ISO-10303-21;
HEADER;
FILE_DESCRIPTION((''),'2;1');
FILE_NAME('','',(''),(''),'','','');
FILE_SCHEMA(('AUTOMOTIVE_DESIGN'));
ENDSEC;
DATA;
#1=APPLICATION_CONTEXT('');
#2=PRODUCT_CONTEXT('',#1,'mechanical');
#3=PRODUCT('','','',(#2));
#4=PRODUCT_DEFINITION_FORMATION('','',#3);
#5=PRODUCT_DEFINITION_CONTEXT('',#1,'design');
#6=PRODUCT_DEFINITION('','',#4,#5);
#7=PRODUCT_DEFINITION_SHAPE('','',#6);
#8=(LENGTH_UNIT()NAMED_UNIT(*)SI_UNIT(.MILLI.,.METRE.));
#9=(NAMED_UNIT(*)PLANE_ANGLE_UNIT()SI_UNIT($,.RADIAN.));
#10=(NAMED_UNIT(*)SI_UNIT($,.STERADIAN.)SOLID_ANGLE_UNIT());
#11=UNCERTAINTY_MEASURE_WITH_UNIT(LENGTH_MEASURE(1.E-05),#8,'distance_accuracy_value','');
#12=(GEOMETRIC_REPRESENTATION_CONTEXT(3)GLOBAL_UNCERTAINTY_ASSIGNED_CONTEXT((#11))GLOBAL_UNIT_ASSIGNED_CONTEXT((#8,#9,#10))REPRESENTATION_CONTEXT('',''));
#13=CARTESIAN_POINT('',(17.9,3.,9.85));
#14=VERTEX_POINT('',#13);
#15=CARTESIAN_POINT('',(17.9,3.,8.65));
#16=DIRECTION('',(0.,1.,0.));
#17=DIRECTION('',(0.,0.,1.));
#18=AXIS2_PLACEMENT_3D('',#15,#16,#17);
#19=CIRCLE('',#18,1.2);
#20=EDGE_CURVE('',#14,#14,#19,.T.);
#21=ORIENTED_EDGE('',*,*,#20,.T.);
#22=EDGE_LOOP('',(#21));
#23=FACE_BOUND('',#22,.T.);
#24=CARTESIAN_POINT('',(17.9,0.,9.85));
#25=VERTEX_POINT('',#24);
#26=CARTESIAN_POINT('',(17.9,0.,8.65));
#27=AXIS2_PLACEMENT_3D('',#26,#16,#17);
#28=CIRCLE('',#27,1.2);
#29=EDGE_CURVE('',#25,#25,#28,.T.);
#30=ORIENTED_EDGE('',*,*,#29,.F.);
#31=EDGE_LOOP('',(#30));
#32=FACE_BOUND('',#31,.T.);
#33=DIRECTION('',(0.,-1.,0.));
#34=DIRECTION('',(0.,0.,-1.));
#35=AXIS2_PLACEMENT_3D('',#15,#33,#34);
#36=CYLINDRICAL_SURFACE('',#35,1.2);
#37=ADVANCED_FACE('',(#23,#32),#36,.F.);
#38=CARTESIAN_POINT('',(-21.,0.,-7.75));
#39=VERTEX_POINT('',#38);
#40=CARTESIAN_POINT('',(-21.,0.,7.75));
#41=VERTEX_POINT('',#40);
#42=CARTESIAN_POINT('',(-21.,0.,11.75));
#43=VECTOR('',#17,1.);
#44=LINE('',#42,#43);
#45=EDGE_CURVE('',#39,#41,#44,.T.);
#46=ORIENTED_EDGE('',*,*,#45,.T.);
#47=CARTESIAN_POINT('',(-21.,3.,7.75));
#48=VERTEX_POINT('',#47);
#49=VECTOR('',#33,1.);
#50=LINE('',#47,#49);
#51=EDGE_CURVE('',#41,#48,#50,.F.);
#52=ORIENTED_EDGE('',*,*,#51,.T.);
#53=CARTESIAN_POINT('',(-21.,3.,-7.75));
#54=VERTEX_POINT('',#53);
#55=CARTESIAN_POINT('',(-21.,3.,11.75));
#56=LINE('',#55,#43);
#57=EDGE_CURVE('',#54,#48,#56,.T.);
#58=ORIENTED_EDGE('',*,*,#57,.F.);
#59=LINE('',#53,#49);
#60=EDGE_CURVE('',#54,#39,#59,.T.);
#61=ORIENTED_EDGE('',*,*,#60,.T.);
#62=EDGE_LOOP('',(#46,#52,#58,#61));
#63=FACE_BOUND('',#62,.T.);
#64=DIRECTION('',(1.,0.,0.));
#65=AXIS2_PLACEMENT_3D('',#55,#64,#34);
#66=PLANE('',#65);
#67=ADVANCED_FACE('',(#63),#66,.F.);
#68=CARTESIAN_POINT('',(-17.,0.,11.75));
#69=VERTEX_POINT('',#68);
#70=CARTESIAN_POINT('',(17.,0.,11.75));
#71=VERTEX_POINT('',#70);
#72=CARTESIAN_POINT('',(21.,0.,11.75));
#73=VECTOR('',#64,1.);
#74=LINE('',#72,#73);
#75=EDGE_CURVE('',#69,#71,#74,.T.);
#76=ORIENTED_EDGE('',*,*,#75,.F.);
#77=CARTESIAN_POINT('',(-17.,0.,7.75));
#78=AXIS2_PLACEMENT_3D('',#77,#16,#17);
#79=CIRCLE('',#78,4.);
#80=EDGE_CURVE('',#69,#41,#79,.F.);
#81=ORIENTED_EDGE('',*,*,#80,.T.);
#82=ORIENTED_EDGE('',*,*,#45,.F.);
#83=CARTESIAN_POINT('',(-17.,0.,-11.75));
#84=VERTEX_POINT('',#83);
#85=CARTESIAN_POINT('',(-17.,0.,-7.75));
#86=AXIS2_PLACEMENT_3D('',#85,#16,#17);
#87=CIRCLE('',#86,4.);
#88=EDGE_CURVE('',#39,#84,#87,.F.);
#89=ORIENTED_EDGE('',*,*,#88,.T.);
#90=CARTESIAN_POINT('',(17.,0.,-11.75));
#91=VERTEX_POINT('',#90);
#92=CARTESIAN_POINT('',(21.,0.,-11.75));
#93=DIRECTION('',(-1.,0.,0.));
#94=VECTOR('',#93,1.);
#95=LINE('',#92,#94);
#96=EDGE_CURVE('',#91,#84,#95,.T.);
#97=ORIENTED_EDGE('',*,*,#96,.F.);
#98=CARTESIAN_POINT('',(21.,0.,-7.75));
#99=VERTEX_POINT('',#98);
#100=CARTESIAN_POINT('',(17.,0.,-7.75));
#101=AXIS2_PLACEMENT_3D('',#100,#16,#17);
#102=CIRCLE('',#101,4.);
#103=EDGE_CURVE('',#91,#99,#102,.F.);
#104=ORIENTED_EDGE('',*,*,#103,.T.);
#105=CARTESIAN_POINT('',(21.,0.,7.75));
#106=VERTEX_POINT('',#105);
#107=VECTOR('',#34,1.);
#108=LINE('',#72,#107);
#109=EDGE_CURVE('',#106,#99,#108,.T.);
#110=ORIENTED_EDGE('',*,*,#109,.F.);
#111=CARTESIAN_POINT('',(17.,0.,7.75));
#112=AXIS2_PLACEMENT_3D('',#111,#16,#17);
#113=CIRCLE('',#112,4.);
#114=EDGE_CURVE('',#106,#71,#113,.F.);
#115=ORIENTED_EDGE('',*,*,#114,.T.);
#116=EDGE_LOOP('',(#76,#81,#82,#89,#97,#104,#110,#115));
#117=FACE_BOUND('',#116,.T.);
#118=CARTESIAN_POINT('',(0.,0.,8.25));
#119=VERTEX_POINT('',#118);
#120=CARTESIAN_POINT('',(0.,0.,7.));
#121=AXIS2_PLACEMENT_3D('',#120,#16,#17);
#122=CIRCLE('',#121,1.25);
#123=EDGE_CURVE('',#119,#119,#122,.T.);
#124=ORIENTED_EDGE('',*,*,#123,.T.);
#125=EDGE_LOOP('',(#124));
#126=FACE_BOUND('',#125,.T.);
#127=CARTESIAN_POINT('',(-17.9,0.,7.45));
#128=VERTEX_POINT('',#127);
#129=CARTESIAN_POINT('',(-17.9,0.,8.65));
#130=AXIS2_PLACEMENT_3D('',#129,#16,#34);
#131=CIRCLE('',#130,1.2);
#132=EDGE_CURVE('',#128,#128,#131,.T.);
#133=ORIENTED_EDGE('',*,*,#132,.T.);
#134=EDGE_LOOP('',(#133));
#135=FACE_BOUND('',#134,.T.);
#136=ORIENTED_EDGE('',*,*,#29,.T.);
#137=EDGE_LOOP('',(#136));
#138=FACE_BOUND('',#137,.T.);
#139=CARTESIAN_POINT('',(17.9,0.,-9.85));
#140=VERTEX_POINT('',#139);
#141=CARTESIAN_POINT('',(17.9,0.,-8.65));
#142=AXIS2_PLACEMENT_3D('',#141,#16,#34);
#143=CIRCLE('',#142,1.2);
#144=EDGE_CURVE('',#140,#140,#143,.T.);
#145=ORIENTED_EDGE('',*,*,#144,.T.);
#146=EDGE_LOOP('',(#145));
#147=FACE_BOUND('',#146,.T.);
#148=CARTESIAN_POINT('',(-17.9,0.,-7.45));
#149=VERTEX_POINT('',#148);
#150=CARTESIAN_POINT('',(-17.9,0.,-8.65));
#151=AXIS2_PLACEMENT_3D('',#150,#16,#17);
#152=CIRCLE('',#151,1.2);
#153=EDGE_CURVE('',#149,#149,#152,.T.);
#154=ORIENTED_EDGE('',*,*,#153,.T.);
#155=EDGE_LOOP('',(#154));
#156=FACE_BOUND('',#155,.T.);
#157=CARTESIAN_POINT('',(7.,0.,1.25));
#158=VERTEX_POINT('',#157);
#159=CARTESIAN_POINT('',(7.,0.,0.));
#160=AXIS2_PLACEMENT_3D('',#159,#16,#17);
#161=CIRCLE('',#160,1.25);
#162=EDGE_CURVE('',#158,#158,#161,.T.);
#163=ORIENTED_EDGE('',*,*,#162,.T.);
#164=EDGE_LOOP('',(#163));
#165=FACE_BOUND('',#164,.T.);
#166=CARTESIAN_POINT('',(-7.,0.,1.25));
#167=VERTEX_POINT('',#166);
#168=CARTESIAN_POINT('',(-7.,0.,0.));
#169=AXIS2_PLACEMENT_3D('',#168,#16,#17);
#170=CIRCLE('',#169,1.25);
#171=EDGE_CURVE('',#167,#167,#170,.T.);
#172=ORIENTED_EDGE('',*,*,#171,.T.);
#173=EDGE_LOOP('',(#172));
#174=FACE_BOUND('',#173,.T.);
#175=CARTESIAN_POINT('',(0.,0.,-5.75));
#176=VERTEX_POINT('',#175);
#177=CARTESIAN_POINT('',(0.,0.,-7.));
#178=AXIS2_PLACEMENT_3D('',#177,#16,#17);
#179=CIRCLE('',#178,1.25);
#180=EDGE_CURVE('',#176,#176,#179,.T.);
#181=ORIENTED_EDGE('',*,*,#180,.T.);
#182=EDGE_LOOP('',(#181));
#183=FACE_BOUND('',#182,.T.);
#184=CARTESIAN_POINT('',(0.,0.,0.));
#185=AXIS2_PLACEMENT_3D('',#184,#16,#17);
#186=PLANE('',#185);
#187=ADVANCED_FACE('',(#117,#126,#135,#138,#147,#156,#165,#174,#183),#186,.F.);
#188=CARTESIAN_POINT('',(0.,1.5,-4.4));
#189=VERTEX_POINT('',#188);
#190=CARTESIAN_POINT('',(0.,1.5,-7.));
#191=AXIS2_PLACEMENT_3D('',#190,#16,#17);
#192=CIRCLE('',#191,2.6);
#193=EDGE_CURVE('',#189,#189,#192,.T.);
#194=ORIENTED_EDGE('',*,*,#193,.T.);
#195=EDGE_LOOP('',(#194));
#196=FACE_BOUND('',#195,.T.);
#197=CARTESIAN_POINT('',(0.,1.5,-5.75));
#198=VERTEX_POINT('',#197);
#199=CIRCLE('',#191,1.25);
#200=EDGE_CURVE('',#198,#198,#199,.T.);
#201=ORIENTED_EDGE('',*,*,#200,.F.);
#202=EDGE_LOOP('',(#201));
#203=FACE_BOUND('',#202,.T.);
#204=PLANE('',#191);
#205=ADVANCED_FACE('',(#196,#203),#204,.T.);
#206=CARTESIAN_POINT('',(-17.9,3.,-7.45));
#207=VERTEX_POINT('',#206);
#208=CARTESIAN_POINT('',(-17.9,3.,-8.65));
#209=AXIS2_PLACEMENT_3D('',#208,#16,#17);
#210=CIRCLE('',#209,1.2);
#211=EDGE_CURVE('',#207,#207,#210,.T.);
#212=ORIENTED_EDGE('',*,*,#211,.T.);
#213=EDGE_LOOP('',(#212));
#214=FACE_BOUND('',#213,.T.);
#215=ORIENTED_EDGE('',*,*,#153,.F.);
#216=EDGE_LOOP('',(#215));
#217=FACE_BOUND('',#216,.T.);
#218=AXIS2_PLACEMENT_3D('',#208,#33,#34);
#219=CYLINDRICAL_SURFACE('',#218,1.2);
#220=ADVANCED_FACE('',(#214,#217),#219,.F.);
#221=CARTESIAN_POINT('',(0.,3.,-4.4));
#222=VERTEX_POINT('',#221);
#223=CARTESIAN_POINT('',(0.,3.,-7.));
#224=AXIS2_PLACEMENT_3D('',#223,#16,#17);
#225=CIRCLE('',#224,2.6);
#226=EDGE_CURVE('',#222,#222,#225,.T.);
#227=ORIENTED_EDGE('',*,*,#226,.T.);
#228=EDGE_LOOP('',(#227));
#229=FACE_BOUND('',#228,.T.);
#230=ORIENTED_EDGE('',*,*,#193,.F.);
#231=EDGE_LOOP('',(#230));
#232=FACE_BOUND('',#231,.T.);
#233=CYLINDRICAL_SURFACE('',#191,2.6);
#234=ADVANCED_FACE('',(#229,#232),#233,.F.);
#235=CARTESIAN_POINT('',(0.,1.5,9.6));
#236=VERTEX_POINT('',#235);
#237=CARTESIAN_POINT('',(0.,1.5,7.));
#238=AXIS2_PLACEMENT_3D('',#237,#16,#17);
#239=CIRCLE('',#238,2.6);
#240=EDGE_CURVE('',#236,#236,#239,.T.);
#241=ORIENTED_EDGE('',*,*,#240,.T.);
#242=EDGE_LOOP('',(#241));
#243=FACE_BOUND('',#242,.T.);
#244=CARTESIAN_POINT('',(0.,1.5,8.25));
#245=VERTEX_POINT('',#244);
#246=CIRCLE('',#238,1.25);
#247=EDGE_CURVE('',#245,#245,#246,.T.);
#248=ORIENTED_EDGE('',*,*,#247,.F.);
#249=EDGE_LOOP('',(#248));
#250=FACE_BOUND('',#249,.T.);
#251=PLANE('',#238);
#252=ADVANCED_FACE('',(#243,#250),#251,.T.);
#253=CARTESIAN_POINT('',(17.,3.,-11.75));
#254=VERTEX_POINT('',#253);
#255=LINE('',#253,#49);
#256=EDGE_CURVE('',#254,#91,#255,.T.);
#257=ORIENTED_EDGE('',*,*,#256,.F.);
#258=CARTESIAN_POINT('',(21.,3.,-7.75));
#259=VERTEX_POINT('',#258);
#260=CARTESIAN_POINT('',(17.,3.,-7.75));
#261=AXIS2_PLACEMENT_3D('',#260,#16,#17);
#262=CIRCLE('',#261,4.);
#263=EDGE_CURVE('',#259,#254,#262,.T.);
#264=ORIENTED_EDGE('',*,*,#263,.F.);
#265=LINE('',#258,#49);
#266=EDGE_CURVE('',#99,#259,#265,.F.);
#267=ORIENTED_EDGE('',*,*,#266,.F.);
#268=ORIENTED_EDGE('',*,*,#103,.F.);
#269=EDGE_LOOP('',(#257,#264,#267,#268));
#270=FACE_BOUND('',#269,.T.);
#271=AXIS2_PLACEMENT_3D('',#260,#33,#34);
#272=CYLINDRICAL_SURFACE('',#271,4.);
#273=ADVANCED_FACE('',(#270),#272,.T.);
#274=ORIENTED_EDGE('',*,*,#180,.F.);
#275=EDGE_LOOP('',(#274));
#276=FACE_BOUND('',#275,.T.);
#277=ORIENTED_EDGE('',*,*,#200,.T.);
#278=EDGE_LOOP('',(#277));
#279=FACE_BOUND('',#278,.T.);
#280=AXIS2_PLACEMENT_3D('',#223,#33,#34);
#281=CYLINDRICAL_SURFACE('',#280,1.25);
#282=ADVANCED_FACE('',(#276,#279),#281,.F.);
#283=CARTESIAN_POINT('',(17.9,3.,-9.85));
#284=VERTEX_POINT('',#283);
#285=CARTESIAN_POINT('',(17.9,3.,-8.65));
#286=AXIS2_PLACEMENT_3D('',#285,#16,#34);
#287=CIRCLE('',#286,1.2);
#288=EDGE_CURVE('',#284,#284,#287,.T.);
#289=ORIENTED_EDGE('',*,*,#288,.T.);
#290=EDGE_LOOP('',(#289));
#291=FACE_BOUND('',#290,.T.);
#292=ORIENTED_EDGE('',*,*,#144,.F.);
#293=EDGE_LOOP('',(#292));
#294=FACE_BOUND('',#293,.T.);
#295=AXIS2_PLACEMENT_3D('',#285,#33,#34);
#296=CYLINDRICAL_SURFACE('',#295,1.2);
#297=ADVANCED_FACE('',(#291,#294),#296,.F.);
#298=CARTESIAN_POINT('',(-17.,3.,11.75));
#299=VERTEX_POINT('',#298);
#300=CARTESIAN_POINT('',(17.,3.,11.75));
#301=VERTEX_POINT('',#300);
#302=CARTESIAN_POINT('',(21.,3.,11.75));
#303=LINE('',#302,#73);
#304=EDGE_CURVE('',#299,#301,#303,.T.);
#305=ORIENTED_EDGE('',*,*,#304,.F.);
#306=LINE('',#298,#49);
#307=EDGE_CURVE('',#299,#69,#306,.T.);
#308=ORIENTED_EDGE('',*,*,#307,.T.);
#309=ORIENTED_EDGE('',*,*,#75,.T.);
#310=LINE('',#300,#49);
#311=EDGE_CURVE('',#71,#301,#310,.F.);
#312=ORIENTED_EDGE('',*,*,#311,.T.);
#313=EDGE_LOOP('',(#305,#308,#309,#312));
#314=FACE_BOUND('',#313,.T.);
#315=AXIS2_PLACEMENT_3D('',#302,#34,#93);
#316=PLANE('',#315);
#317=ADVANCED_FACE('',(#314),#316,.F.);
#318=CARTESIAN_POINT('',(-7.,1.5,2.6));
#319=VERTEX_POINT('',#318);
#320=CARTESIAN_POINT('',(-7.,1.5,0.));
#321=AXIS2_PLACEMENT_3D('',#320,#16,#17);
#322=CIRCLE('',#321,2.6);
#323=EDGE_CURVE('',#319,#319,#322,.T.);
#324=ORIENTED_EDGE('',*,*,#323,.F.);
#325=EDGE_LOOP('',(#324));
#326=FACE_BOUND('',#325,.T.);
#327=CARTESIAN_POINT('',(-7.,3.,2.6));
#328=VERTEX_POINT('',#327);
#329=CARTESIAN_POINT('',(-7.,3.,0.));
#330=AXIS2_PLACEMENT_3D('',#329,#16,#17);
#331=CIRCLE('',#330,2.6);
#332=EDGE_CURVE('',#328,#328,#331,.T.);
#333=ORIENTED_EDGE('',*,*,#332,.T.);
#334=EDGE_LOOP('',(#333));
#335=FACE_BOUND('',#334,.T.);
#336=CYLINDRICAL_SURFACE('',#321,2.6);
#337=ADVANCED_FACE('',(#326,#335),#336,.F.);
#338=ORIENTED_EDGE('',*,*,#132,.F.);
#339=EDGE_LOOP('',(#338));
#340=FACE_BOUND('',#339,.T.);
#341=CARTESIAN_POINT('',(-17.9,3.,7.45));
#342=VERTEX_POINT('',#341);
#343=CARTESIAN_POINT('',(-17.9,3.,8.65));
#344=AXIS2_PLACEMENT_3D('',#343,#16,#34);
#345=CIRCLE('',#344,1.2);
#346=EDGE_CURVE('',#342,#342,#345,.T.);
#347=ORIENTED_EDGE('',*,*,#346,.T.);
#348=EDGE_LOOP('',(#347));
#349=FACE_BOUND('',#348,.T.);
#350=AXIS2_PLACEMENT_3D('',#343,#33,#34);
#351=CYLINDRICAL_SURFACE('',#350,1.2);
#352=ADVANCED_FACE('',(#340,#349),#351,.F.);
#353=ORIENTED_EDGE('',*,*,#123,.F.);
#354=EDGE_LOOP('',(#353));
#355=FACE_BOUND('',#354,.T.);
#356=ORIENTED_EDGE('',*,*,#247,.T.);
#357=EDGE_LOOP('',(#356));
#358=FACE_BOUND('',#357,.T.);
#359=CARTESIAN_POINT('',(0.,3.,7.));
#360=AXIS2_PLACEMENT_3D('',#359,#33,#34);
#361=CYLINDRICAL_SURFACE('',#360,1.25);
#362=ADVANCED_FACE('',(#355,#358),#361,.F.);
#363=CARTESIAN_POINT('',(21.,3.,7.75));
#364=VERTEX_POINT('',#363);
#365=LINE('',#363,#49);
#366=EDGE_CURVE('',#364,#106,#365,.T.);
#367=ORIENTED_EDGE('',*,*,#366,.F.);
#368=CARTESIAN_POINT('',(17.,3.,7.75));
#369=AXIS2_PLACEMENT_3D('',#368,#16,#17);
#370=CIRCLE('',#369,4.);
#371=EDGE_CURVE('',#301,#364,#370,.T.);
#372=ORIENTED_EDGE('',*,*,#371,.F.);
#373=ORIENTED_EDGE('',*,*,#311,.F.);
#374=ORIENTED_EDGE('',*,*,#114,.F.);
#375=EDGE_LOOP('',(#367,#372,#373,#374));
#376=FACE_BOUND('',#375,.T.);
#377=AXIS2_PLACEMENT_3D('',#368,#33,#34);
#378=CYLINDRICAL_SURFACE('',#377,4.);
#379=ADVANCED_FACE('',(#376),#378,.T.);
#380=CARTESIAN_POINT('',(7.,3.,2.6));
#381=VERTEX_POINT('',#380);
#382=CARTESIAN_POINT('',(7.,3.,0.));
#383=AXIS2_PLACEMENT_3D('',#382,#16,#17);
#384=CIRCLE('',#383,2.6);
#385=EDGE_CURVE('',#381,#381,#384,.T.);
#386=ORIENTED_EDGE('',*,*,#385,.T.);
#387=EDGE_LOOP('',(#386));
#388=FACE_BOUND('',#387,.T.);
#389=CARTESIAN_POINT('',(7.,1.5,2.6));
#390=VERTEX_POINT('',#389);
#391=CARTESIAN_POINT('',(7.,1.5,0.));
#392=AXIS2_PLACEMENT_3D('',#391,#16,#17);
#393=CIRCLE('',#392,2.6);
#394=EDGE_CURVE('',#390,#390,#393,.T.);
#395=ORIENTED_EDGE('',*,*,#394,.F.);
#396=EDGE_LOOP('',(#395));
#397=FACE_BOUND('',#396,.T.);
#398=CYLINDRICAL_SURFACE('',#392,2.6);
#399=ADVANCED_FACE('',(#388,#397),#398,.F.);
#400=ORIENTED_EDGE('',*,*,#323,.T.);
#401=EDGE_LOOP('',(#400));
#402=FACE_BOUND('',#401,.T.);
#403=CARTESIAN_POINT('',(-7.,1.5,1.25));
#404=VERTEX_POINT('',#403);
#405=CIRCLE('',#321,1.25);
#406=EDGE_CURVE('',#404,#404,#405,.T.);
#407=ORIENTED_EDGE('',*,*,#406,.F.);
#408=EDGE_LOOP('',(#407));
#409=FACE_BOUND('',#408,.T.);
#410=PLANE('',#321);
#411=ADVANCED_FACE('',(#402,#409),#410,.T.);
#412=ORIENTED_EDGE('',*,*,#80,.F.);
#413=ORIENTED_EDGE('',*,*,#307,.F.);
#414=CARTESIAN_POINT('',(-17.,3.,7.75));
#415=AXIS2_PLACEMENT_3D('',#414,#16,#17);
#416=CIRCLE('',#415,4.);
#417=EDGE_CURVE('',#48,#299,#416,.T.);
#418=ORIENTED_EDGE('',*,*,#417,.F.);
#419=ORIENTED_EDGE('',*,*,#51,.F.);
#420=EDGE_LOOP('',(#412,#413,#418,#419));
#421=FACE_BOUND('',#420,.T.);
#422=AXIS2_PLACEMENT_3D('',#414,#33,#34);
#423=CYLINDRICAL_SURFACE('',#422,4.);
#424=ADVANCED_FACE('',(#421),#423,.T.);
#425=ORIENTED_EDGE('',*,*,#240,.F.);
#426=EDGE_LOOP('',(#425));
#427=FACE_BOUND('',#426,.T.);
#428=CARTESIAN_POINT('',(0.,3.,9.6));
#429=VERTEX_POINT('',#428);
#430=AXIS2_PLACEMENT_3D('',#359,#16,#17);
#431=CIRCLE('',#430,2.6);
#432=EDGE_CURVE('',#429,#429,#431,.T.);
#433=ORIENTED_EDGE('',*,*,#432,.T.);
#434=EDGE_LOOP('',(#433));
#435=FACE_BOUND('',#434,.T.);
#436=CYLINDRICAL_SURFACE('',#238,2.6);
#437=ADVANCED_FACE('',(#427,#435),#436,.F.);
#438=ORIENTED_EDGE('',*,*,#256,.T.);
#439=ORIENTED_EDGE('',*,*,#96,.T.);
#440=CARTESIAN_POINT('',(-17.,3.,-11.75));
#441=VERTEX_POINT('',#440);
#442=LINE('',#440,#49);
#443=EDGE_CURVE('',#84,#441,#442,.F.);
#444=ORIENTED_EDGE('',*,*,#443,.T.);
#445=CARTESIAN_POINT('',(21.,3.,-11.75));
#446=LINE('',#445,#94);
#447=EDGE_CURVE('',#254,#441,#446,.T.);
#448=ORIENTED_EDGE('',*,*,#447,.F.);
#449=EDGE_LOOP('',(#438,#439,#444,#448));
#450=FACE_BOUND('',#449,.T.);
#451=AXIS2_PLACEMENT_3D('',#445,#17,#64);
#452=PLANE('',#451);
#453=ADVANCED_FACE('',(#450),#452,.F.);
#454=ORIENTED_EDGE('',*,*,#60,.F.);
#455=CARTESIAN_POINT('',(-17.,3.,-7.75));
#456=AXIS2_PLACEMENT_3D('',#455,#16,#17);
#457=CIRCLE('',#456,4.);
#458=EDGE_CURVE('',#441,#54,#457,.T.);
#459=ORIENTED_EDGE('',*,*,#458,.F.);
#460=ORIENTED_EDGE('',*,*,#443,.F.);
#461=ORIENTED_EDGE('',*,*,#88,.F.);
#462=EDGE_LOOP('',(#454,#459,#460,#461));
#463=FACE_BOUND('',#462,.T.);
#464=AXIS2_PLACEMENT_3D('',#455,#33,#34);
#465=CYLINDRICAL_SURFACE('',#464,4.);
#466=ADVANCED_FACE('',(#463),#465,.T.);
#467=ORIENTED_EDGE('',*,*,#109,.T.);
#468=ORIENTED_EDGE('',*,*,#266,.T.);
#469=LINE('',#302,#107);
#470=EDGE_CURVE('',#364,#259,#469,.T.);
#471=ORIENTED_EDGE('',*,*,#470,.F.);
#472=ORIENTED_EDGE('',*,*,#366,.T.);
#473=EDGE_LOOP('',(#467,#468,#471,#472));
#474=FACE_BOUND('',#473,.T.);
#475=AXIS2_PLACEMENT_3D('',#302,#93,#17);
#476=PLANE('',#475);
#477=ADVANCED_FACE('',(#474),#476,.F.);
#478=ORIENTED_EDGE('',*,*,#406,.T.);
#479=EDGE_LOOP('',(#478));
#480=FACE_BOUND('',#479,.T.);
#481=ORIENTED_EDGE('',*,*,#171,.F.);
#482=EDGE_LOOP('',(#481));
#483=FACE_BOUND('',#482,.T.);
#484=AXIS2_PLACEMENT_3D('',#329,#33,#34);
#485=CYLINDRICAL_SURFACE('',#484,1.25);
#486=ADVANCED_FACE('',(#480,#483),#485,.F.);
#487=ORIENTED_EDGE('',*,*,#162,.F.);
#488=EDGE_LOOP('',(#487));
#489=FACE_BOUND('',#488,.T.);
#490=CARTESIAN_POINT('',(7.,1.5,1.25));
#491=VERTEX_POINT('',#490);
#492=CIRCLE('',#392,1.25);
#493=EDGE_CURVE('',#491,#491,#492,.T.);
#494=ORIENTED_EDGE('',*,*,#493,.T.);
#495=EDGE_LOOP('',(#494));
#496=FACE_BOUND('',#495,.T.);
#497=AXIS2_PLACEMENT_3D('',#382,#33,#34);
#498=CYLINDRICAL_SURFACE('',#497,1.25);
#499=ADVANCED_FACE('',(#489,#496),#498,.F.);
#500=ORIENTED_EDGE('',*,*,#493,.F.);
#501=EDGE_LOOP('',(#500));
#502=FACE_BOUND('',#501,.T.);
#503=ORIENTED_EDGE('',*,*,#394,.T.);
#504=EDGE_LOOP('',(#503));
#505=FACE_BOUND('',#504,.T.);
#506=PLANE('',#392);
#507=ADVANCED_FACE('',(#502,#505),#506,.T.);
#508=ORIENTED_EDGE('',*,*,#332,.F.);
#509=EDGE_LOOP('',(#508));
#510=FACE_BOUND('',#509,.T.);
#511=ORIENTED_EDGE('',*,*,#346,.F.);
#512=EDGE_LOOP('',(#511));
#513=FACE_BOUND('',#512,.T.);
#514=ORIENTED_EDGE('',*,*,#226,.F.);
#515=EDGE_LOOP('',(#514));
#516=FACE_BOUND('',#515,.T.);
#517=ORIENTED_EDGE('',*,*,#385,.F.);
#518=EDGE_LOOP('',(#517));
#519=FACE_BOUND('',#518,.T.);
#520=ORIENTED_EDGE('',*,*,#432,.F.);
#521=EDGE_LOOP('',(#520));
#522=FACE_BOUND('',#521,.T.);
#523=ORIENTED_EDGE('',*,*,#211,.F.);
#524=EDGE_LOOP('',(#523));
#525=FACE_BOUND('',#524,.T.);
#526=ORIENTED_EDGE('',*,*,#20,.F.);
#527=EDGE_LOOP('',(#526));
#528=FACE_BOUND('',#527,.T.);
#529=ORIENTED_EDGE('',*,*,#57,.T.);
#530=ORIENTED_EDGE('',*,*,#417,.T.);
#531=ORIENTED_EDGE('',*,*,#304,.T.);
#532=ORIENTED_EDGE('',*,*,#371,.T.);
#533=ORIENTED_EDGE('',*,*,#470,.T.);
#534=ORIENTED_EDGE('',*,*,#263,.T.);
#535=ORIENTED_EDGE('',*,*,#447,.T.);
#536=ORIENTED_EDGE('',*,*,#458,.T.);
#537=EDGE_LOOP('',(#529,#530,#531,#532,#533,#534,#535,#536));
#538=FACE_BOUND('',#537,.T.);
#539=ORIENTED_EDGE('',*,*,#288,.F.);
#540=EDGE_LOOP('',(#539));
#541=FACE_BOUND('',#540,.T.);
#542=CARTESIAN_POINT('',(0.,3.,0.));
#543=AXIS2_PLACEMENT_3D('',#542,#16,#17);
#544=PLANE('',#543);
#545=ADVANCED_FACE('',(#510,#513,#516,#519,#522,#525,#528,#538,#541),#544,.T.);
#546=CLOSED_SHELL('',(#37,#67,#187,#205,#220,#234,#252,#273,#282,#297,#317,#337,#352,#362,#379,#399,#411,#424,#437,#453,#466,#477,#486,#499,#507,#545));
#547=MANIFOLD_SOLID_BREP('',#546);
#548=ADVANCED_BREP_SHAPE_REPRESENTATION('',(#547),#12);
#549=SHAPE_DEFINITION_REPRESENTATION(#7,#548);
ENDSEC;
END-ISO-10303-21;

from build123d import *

# Parameters (mm, degrees)
SKETCH_1_W          = 42
SKETCH_1_H          = 23.5
SKETCH_1_R          = 1.25
SKETCH_1_R_2        = 1.2
EXTRUDE_1_DEPTH     = 3
FILLET_1_R          = 4
SKETCH_2_R          = 2.6
CUT_EXTRUDE_1_DEPTH = 1.5


with BuildPart() as part:
    # 草图1 → 凸台-拉伸1 (new body)
    with BuildSketch(Plane(origin=(0, 0, 0), x_dir=(1, 0, 0), z_dir=(0, 1, 0))):
        Rectangle(SKETCH_1_W, SKETCH_1_H)
        with Locations(Location((7, 0, 0), (0, 0, 270))):
            Circle(SKETCH_1_R, mode=Mode.SUBTRACT)
        with Locations(Location((0, -7, 0), (0, 0, 270))):
            Circle(SKETCH_1_R, mode=Mode.SUBTRACT)
        with Locations(Location((-7, 0, 0), (0, 0, 270))):
            Circle(SKETCH_1_R, mode=Mode.SUBTRACT)
        with Locations(Location((0, 7, 0), (0, 0, 270))):
            Circle(SKETCH_1_R, mode=Mode.SUBTRACT)
        with Locations(Location((-17.9, 8.65, 0), (0, 0, 270))):
            Circle(SKETCH_1_R_2, mode=Mode.SUBTRACT)
        with Locations(Location((17.9, 8.65, 0), (0, 0, 90))):
            Circle(SKETCH_1_R_2, mode=Mode.SUBTRACT)
        with Locations(Location((-17.9, -8.65, 0), (0, 0, 90))):
            Circle(SKETCH_1_R_2, mode=Mode.SUBTRACT)
        with Locations(Location((17.9, -8.65, 0), (0, 0, 270))):
            Circle(SKETCH_1_R_2, mode=Mode.SUBTRACT)
    extrude(amount=EXTRUDE_1_DEPTH)

    # 圆角1
    fillet_1_edges = [part.edges().sort_by_distance(p)[0] for p in [
        (-21, 1.5, -11.75),
        (21, 1.5, -11.75),
        (21, 1.5, 11.75),
        (-21, 1.5, 11.75),
    ]]
    fillet(fillet_1_edges, radius=FILLET_1_R)

    # 草图2 → 切除-拉伸1 (cut)
    with BuildSketch(Plane(origin=(0, 3, 0), x_dir=(1, 0, 0), z_dir=(0, 1, 0))):
        with Locations(Location((7, 0, 0), (0, 0, 270))):
            Circle(SKETCH_2_R)
        with Locations(Location((0, -7, 0), (0, 0, 270))):
            Circle(SKETCH_2_R)
        with Locations(Location((-7, 0, 0), (0, 0, 270))):
            Circle(SKETCH_2_R)
        with Locations(Location((0, 7, 0), (0, 0, 270))):
            Circle(SKETCH_2_R)
    extrude(amount=-CUT_EXTRUDE_1_DEPTH, mode=Mode.SUBTRACT)


solid = part.part
